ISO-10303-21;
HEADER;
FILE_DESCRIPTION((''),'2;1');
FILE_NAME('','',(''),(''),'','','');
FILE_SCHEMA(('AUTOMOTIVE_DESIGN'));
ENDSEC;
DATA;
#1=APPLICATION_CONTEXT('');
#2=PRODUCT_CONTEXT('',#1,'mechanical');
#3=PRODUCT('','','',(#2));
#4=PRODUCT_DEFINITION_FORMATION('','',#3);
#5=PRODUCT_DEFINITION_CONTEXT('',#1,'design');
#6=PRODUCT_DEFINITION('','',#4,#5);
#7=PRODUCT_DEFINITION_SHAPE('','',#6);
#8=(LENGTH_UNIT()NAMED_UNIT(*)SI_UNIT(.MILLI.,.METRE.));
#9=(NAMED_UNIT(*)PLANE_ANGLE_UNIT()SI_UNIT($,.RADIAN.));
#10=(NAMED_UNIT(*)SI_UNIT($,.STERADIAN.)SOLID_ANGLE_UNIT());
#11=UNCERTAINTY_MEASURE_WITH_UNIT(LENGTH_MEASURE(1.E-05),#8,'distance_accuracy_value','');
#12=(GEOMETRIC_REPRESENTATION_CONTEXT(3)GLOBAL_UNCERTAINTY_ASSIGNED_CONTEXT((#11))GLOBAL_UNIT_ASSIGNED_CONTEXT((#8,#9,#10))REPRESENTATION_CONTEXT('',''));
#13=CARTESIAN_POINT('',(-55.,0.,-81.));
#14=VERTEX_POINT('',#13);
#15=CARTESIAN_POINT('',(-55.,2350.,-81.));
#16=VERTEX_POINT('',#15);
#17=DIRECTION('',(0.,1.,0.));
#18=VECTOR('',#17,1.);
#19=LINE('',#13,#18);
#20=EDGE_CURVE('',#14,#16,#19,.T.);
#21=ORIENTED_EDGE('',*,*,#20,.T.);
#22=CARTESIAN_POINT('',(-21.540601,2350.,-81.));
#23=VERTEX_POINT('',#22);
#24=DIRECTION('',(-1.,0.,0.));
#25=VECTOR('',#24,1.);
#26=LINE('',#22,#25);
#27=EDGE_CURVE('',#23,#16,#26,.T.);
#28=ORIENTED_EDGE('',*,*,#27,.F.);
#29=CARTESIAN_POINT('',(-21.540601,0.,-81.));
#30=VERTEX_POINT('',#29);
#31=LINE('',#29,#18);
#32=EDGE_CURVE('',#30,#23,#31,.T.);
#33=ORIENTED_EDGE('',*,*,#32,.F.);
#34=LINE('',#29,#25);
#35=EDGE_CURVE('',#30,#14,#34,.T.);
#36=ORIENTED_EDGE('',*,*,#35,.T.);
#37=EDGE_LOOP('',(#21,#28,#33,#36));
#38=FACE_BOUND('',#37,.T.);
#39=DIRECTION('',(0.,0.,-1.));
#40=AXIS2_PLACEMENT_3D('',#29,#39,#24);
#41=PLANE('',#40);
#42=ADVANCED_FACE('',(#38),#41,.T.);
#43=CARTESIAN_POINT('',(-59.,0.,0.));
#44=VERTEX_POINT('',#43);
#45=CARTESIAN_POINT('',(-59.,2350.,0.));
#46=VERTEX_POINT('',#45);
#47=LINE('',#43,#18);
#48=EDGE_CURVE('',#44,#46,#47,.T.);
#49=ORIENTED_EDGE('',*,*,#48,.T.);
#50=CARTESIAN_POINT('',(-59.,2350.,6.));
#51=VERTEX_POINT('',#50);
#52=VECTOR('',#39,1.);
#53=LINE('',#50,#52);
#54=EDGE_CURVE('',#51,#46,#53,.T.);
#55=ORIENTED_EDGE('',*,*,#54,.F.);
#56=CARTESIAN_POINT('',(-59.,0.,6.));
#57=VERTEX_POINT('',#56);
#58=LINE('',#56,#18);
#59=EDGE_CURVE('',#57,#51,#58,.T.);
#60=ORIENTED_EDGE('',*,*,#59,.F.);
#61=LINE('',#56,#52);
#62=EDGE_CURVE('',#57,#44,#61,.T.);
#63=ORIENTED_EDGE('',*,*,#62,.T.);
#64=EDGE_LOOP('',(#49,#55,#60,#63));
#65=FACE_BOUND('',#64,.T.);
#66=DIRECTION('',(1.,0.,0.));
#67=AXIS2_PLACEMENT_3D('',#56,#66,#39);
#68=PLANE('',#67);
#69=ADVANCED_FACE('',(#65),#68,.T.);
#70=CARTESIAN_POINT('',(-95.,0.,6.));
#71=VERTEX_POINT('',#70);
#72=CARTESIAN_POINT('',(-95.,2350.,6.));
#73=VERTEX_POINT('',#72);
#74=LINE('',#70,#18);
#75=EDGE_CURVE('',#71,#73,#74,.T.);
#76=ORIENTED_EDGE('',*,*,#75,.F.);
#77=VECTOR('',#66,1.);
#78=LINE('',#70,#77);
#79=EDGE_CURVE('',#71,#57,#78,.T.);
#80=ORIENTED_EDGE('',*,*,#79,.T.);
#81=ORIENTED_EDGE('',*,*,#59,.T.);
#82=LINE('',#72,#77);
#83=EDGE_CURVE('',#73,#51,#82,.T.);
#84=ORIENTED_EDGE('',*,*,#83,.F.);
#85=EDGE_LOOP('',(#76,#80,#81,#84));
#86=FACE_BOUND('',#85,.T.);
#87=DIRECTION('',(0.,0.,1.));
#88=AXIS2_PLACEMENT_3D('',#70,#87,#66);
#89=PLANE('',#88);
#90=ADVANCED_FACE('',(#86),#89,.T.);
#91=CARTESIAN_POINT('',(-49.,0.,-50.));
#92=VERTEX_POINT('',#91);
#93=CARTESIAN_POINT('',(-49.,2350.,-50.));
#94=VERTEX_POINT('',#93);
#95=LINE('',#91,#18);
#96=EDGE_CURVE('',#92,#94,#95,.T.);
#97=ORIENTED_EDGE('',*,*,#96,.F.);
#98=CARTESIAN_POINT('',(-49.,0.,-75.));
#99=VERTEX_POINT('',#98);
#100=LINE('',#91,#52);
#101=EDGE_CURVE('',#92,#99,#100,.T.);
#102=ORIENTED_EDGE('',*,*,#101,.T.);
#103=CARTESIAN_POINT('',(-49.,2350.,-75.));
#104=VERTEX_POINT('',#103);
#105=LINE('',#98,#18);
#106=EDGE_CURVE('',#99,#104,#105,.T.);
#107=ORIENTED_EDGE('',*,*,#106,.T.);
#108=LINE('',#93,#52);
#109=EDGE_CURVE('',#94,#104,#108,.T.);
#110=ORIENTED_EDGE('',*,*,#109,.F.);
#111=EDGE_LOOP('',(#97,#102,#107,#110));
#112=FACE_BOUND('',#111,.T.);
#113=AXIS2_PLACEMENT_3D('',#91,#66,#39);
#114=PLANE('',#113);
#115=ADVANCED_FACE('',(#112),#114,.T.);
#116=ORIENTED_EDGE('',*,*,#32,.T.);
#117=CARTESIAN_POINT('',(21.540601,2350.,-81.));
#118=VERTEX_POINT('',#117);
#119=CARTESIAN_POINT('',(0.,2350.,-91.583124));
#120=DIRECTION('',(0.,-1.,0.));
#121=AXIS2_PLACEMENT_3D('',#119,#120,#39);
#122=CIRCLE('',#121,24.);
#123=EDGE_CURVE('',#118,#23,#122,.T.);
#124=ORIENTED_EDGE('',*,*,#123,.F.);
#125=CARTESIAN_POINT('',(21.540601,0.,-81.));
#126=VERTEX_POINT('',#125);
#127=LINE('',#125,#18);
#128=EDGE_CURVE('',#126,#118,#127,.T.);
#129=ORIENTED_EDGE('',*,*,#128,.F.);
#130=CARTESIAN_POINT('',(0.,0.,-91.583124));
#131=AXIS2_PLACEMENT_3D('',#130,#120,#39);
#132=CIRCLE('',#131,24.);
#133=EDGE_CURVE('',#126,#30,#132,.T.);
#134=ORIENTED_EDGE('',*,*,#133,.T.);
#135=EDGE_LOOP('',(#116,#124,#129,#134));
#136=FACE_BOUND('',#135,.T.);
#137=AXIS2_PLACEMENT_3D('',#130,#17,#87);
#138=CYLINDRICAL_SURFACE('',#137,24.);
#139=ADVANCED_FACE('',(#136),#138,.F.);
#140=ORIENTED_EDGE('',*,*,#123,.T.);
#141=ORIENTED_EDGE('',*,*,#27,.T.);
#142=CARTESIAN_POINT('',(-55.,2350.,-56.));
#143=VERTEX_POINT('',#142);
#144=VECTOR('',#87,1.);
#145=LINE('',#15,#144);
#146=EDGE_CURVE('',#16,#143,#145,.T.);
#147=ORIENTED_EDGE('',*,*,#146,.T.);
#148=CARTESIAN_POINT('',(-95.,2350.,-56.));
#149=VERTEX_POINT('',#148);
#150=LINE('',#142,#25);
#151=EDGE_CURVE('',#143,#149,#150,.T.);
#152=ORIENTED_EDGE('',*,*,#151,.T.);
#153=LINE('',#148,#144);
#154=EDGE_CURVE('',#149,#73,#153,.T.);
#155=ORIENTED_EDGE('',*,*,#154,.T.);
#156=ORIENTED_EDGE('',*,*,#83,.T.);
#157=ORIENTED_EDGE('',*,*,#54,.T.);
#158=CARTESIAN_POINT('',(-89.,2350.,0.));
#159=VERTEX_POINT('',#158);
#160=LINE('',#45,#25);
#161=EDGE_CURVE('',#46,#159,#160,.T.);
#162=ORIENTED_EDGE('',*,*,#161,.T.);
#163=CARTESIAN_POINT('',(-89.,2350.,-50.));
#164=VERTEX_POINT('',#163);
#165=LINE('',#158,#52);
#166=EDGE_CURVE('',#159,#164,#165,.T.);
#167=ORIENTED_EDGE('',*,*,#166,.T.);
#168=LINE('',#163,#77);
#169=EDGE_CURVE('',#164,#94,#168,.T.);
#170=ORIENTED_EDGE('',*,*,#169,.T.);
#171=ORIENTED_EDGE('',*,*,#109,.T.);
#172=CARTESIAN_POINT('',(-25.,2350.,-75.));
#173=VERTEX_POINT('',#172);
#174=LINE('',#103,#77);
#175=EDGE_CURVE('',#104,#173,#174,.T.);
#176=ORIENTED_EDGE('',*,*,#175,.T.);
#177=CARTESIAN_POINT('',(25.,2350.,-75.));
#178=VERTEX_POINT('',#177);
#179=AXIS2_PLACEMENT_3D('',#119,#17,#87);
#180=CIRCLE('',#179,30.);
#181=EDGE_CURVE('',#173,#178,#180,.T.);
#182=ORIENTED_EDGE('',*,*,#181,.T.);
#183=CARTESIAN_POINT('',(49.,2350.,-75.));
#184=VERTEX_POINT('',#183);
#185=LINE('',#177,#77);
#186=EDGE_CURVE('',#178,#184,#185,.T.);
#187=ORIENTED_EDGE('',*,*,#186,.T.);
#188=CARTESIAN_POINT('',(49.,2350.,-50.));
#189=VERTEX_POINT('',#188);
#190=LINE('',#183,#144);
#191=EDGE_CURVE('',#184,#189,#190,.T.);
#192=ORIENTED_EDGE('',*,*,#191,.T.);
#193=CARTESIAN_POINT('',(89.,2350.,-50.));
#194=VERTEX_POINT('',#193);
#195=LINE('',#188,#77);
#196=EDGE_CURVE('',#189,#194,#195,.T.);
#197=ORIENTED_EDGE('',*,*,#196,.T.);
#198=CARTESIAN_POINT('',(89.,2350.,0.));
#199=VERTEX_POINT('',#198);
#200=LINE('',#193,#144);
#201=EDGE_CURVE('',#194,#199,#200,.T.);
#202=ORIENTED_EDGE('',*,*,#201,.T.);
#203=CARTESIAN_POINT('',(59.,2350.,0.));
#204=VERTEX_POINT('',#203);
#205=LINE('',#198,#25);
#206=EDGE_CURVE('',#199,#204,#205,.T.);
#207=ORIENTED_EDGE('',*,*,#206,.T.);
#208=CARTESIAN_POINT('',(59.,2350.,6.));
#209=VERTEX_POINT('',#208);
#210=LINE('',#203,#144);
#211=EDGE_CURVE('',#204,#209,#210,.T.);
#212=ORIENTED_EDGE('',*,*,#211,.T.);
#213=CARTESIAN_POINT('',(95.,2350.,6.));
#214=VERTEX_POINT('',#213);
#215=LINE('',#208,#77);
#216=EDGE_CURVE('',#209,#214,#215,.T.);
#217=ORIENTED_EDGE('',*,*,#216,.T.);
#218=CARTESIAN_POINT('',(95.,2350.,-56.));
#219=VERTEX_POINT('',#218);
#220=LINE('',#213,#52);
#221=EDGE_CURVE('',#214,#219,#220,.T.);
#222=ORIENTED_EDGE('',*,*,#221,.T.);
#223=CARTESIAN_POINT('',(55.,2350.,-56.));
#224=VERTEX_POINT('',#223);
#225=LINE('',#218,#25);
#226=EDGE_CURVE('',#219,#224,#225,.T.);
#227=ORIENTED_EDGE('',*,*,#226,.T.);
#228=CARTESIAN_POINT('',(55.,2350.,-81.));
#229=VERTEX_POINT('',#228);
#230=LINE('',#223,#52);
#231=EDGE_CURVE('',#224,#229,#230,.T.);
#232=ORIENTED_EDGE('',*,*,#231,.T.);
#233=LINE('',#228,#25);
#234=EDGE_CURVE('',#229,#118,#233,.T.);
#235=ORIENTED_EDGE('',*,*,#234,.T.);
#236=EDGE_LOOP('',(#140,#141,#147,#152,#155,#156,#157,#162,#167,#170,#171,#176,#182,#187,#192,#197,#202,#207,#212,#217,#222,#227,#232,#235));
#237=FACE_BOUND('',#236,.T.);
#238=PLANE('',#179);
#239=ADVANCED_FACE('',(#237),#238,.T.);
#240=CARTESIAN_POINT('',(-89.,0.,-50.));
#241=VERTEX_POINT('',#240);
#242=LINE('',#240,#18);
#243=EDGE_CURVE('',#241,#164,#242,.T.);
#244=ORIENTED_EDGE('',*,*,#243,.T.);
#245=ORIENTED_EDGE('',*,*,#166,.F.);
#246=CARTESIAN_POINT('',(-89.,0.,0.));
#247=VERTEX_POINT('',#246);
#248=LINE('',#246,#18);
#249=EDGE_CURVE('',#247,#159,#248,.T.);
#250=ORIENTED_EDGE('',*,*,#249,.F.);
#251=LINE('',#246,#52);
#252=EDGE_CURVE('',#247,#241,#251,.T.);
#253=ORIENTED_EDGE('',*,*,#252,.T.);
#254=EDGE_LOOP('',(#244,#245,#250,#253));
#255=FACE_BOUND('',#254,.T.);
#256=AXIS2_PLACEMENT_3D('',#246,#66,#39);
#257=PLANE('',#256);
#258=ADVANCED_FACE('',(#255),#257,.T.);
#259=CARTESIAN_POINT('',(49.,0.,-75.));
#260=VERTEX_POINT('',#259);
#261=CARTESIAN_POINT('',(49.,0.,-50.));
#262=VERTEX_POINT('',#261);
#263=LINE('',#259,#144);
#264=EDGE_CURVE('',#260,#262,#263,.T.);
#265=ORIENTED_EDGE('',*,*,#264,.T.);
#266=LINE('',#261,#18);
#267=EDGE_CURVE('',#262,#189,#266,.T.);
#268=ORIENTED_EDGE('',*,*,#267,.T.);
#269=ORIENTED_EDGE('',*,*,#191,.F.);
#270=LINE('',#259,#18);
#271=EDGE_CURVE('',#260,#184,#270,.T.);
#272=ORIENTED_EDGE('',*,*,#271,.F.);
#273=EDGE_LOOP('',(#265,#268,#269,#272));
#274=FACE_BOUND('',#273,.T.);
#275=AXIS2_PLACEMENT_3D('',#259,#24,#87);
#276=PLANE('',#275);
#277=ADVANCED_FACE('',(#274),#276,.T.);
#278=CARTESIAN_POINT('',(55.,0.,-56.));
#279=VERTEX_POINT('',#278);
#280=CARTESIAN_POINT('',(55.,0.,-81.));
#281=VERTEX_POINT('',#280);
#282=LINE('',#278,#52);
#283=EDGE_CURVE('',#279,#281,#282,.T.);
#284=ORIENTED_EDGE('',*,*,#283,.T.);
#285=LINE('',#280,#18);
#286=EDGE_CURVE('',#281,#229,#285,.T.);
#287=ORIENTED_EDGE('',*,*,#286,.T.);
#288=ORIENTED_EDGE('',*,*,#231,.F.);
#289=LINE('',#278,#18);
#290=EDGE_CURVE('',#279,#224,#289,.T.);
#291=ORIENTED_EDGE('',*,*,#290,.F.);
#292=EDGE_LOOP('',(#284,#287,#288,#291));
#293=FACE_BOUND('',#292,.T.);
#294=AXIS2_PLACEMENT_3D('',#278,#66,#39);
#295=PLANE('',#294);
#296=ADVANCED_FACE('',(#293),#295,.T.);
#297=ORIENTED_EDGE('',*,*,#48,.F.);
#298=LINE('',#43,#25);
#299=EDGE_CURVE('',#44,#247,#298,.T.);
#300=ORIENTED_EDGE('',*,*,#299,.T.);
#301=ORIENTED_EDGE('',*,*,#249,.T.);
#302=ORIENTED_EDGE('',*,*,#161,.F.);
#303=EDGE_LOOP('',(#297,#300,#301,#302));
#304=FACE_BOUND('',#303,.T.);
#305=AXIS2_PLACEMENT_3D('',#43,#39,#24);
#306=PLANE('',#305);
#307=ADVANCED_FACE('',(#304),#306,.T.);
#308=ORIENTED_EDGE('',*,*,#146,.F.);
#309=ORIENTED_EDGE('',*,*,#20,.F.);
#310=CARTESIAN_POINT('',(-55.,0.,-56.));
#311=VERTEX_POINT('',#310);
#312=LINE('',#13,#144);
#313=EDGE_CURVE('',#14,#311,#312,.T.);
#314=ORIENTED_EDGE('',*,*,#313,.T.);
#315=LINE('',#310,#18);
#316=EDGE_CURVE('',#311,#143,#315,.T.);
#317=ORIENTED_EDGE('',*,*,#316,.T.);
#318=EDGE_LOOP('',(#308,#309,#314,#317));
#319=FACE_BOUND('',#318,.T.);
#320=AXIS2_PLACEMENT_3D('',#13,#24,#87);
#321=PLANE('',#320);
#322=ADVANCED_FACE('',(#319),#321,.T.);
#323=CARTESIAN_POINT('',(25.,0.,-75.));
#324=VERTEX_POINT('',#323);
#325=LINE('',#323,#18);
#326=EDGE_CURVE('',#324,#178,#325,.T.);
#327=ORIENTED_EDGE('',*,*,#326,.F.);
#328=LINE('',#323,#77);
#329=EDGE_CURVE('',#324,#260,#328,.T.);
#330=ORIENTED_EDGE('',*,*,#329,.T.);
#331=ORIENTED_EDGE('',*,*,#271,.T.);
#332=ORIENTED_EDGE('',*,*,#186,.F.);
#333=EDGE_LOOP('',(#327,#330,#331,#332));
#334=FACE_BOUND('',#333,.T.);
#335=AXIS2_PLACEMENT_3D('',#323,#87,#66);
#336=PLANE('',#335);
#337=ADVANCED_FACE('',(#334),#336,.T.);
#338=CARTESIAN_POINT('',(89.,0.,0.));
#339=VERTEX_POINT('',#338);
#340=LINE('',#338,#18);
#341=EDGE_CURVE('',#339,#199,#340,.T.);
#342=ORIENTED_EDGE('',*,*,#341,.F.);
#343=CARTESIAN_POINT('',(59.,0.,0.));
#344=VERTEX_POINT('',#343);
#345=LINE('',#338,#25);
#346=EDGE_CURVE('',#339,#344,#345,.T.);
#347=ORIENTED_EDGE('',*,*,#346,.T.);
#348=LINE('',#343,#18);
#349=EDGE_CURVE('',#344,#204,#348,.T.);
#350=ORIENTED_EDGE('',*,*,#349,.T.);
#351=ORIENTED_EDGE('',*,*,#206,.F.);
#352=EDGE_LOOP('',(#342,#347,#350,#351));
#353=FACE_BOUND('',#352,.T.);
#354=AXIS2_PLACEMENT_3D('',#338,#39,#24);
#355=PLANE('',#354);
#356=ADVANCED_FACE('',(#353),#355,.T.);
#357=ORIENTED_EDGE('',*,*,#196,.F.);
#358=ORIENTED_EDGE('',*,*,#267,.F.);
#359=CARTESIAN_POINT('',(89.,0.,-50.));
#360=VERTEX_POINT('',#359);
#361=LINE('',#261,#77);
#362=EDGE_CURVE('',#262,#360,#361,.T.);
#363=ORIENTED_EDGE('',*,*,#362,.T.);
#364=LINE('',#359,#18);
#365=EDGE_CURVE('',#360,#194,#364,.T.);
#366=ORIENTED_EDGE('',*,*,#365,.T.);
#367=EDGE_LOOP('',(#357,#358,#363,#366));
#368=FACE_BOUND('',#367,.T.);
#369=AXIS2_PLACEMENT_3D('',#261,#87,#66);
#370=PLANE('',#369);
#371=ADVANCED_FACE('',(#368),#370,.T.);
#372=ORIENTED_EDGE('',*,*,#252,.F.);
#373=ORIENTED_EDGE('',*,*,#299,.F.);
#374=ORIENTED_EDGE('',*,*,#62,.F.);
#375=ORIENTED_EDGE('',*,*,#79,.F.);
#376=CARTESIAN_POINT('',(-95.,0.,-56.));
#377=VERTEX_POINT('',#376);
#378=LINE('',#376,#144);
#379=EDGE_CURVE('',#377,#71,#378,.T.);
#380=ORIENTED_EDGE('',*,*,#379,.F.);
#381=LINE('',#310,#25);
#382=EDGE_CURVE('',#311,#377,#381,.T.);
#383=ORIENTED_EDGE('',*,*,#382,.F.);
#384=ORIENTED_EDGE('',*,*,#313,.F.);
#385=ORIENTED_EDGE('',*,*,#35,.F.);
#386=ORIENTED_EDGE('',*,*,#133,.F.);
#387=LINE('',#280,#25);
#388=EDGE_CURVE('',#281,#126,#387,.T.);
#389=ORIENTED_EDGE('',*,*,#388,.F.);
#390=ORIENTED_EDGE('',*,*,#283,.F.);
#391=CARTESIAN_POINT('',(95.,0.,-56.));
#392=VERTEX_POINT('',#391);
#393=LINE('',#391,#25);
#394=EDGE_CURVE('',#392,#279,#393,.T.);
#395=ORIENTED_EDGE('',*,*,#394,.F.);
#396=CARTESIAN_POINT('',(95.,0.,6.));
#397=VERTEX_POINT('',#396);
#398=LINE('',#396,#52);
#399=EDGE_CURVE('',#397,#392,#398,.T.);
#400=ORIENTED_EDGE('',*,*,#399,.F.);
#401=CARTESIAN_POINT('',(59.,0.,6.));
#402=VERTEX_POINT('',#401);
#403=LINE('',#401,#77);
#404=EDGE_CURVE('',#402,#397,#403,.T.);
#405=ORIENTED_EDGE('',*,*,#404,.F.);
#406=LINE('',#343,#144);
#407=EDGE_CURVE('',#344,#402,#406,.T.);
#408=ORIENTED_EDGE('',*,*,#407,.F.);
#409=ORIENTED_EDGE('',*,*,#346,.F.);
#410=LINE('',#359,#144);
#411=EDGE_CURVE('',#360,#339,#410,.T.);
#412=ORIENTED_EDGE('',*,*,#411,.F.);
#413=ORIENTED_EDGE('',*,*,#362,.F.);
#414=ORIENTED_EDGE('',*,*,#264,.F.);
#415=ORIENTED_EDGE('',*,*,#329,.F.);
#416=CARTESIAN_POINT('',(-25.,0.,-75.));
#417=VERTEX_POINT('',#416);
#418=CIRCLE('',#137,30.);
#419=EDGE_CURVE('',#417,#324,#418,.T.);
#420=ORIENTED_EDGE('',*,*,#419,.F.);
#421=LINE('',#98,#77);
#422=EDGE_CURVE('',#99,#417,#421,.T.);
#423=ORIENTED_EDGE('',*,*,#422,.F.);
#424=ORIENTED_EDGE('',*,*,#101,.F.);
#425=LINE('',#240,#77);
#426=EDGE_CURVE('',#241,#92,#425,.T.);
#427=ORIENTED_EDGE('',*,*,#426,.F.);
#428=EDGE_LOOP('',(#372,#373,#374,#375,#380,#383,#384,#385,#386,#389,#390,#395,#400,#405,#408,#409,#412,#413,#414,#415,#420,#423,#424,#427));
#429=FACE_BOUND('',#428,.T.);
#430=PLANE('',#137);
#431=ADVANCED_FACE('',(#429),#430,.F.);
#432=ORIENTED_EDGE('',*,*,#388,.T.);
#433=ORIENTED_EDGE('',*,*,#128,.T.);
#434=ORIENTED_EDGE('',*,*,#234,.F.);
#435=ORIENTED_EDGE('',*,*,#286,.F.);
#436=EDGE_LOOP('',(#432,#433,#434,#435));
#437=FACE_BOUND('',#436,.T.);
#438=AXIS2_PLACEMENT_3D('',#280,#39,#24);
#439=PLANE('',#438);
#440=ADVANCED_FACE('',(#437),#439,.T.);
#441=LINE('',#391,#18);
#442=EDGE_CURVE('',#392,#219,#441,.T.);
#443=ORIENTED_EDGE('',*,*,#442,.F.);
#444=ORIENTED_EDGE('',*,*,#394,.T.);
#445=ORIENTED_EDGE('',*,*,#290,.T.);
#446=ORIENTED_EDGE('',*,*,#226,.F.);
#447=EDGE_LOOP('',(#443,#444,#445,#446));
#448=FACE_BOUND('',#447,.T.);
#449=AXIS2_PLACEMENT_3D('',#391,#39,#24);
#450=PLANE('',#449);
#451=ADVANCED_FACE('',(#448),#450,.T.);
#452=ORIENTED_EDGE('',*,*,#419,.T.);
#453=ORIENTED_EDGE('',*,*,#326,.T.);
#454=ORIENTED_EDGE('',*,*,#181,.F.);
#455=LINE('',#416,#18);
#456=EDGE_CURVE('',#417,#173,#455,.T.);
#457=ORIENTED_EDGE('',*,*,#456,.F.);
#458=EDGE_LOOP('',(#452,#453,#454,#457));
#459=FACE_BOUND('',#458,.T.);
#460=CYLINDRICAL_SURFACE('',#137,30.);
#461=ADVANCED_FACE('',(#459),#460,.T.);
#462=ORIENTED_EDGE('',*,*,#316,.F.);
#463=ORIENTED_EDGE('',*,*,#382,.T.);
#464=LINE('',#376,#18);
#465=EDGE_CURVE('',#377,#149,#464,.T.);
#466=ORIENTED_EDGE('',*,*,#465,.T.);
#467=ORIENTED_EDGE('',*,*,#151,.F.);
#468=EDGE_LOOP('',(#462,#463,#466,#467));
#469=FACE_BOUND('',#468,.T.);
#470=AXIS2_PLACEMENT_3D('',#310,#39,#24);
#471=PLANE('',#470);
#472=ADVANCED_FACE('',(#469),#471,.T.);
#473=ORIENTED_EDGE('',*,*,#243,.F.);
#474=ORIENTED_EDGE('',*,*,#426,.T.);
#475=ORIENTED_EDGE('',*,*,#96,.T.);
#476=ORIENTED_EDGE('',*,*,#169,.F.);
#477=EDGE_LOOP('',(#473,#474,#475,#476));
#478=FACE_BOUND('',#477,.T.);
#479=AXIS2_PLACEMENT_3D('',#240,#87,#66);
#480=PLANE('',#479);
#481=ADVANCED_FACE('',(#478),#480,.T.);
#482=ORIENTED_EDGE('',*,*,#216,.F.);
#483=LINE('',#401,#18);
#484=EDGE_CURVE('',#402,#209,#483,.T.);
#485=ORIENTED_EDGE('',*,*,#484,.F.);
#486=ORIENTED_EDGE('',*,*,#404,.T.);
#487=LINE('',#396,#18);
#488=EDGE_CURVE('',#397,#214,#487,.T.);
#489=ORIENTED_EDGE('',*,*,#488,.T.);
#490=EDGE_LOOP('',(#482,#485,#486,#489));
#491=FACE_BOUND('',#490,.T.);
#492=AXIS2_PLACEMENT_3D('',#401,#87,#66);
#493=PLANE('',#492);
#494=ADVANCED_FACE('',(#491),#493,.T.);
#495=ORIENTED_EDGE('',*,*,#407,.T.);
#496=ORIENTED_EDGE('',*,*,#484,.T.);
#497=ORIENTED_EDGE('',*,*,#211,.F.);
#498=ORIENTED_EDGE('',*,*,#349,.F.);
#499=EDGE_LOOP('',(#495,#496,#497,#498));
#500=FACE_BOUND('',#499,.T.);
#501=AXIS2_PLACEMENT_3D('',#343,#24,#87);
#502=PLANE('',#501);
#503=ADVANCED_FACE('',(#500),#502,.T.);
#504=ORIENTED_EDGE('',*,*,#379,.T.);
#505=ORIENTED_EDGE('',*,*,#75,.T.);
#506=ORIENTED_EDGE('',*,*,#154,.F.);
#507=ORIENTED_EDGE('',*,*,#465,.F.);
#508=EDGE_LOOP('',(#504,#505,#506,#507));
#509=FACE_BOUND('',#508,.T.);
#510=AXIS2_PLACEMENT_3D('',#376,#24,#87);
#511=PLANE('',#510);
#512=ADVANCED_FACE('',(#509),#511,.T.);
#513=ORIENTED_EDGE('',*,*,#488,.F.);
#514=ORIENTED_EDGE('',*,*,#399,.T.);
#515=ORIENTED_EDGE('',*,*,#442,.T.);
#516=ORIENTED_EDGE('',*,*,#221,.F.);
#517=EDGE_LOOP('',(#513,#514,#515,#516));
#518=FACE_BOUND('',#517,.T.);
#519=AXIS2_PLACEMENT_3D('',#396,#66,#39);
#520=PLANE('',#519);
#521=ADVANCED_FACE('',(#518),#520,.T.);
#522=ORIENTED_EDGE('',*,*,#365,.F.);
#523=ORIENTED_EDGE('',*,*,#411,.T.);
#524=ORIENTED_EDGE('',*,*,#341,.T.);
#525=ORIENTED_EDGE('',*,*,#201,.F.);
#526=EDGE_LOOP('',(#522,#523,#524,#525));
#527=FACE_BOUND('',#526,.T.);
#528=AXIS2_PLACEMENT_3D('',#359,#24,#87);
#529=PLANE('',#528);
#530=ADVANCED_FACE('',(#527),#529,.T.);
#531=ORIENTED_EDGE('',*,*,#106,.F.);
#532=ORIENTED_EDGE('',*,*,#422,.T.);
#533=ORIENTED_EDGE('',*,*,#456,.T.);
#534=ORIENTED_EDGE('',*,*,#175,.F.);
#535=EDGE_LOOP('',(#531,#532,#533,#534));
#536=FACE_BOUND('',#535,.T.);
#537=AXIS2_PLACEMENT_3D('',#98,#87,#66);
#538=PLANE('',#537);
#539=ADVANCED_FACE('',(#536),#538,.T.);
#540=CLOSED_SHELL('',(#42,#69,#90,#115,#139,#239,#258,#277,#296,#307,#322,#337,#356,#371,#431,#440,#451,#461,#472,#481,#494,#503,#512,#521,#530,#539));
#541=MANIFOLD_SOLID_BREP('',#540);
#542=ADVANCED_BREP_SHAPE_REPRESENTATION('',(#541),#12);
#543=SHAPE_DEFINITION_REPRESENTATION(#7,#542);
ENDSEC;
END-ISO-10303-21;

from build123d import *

# Parameters (mm, degrees)
BOSS_EXTRUDE1_DEPTH = 2350


with BuildPart() as part:
    # Sketch1 → Boss-Extrude1 (new body)
    with BuildSketch(Plane(origin=(0, 2350, 0), x_dir=(1, 0, 0), z_dir=(0, 1, 0))):
        with BuildLine():
            Line((25, 75), (49, 75))
            Line((49, 75), (49, 50))
            Line((49, 50), (89, 50))
            Line((89, 50), (89, 0))
            Line((89, 0), (59, 0))
            Line((59, 0), (59, -6))
            Line((59, -6), (95, -6))
            Line((95, -6), (95, 56))
            Line((95, 56), (55, 56))
            Line((55, 56), (55, 81))
            Line((55, 81), (21.540600907, 81))
            ThreePointArc((21.540600907, 81), (0, 67.583123952), (-21.540600907, 81))
            Line((-21.540600907, 81), (-55, 81))
            Line((-55, 81), (-55, 56))
            Line((-55, 56), (-95, 56))
            Line((-95, 56), (-95, -6))
            Line((-95, -6), (-59, -6))
            Line((-59, -6), (-59, 0))
            Line((-59, 0), (-89, 0))
            Line((-89, 0), (-89, 50))
            Line((-89, 50), (-49, 50))
            Line((-49, 50), (-49, 75))
            Line((-49, 75), (-25, 75))
            ThreePointArc((-25, 75), (0, 61.583123952), (25, 75))
        make_face()
    extrude(amount=-BOSS_EXTRUDE1_DEPTH)


solid = part.part
